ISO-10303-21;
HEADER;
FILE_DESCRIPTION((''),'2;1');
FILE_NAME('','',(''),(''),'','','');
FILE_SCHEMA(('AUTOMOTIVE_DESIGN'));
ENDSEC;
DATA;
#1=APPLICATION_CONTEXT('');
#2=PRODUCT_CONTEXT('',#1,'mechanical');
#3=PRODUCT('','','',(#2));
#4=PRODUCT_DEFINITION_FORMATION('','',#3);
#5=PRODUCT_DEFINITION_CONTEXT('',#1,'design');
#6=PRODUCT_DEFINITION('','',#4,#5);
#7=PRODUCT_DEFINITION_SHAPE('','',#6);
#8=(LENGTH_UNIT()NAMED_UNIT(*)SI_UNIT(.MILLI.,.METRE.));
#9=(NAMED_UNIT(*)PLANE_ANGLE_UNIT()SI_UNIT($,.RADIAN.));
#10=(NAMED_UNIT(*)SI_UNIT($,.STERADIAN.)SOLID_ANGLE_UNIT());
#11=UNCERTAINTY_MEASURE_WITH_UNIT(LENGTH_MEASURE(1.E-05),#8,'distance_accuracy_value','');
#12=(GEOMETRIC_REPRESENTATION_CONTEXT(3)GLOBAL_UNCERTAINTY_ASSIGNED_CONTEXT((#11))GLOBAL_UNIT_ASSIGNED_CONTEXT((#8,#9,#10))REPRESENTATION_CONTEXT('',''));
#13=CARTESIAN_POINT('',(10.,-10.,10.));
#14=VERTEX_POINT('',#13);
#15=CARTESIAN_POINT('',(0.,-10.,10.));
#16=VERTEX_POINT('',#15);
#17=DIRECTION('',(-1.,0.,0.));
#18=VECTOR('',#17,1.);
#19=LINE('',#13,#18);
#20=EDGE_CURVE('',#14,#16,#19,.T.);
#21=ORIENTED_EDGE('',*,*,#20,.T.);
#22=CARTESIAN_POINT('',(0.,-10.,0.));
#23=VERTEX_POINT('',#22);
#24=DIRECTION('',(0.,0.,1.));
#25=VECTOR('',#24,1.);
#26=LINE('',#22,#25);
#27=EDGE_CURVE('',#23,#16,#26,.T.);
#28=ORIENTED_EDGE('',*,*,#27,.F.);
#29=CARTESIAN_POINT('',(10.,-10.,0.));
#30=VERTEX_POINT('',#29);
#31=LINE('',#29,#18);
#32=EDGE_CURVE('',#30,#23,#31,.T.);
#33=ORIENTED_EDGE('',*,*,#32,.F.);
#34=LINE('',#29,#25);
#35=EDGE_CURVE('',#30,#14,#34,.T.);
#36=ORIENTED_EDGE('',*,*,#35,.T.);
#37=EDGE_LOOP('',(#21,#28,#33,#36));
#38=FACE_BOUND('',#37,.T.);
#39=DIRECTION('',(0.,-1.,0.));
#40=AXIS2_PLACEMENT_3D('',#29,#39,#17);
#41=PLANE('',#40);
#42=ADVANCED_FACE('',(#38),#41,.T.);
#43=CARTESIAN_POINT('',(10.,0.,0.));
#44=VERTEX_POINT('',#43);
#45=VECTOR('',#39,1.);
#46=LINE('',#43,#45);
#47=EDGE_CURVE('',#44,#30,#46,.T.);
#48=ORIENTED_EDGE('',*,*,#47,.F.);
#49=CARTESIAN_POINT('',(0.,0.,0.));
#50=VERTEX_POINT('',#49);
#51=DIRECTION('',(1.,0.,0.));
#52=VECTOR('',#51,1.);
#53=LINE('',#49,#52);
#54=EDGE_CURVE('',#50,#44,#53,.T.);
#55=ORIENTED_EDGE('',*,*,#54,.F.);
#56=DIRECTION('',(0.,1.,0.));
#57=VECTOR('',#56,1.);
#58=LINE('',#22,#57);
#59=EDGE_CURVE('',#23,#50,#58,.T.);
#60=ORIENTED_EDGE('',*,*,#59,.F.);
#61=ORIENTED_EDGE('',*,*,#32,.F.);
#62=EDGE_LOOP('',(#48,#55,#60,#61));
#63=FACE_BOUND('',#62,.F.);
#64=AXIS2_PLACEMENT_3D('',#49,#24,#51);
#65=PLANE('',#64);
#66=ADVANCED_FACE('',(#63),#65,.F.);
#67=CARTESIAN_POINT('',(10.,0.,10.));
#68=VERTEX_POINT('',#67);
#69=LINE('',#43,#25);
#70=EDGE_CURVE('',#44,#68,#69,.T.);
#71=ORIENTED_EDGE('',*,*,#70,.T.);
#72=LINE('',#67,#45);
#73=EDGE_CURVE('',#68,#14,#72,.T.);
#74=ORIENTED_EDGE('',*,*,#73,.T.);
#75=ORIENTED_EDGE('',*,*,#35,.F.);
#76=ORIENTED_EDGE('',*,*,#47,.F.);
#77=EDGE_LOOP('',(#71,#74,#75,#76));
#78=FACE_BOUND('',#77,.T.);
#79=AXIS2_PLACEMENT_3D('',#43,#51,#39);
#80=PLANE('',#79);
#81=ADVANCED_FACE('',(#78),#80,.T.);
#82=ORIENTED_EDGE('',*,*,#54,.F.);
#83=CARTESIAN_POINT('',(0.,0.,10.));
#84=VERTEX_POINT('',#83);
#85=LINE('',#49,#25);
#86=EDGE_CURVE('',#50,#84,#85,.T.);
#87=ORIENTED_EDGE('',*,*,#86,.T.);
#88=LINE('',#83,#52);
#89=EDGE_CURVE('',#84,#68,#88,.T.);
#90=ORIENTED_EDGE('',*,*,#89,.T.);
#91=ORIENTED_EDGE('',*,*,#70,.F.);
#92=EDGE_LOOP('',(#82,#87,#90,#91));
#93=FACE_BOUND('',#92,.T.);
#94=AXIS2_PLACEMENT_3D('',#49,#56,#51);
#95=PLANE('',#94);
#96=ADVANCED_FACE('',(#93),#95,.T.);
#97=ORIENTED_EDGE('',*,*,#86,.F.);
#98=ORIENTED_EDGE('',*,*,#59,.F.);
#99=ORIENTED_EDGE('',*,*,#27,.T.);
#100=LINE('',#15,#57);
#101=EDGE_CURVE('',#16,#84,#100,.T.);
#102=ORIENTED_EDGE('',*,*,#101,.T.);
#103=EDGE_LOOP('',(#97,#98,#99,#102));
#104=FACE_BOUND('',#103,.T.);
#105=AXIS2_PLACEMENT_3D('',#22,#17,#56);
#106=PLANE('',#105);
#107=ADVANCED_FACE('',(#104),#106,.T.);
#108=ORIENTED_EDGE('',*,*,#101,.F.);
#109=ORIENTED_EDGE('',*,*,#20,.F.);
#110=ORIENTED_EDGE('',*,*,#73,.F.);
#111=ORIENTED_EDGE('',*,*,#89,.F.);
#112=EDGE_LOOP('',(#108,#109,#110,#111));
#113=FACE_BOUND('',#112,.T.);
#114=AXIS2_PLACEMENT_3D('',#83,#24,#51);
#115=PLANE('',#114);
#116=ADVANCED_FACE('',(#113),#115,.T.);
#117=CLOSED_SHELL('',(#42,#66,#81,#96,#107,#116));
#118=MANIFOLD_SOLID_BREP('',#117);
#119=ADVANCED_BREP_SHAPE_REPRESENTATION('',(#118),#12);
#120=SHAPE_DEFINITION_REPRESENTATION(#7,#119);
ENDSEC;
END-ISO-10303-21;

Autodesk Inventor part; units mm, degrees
ref_plane "YZ Plane" through (0, 0, 0) normal (1, 0, 0) x (0, 1, 0)
ref_plane "XZ Plane" through (0, 0, 0) normal (0, 1, 0) x (-1, 0, 0)
ref_plane "XY Plane" through (0, 0, 0) normal (0, 0, 1) x (1, 0, 0)
sketch "스케치1" plane through (0, 0, 0) normal (0, 0, 1) x (1, 0, 0)
  line L0 (0, 0) -> (10, 0)
  line L1 (10, 0) -> (10, -10)
  line L2 (10, -10) -> (0, -10)
  line L3 (0, -10) -> (0, 0)
  dimension "d0" = 10
  dimension "d1" = 10
extrude "돌출1" add sketch "스케치1" along normal blind 10
properties part number "1cm cube"
